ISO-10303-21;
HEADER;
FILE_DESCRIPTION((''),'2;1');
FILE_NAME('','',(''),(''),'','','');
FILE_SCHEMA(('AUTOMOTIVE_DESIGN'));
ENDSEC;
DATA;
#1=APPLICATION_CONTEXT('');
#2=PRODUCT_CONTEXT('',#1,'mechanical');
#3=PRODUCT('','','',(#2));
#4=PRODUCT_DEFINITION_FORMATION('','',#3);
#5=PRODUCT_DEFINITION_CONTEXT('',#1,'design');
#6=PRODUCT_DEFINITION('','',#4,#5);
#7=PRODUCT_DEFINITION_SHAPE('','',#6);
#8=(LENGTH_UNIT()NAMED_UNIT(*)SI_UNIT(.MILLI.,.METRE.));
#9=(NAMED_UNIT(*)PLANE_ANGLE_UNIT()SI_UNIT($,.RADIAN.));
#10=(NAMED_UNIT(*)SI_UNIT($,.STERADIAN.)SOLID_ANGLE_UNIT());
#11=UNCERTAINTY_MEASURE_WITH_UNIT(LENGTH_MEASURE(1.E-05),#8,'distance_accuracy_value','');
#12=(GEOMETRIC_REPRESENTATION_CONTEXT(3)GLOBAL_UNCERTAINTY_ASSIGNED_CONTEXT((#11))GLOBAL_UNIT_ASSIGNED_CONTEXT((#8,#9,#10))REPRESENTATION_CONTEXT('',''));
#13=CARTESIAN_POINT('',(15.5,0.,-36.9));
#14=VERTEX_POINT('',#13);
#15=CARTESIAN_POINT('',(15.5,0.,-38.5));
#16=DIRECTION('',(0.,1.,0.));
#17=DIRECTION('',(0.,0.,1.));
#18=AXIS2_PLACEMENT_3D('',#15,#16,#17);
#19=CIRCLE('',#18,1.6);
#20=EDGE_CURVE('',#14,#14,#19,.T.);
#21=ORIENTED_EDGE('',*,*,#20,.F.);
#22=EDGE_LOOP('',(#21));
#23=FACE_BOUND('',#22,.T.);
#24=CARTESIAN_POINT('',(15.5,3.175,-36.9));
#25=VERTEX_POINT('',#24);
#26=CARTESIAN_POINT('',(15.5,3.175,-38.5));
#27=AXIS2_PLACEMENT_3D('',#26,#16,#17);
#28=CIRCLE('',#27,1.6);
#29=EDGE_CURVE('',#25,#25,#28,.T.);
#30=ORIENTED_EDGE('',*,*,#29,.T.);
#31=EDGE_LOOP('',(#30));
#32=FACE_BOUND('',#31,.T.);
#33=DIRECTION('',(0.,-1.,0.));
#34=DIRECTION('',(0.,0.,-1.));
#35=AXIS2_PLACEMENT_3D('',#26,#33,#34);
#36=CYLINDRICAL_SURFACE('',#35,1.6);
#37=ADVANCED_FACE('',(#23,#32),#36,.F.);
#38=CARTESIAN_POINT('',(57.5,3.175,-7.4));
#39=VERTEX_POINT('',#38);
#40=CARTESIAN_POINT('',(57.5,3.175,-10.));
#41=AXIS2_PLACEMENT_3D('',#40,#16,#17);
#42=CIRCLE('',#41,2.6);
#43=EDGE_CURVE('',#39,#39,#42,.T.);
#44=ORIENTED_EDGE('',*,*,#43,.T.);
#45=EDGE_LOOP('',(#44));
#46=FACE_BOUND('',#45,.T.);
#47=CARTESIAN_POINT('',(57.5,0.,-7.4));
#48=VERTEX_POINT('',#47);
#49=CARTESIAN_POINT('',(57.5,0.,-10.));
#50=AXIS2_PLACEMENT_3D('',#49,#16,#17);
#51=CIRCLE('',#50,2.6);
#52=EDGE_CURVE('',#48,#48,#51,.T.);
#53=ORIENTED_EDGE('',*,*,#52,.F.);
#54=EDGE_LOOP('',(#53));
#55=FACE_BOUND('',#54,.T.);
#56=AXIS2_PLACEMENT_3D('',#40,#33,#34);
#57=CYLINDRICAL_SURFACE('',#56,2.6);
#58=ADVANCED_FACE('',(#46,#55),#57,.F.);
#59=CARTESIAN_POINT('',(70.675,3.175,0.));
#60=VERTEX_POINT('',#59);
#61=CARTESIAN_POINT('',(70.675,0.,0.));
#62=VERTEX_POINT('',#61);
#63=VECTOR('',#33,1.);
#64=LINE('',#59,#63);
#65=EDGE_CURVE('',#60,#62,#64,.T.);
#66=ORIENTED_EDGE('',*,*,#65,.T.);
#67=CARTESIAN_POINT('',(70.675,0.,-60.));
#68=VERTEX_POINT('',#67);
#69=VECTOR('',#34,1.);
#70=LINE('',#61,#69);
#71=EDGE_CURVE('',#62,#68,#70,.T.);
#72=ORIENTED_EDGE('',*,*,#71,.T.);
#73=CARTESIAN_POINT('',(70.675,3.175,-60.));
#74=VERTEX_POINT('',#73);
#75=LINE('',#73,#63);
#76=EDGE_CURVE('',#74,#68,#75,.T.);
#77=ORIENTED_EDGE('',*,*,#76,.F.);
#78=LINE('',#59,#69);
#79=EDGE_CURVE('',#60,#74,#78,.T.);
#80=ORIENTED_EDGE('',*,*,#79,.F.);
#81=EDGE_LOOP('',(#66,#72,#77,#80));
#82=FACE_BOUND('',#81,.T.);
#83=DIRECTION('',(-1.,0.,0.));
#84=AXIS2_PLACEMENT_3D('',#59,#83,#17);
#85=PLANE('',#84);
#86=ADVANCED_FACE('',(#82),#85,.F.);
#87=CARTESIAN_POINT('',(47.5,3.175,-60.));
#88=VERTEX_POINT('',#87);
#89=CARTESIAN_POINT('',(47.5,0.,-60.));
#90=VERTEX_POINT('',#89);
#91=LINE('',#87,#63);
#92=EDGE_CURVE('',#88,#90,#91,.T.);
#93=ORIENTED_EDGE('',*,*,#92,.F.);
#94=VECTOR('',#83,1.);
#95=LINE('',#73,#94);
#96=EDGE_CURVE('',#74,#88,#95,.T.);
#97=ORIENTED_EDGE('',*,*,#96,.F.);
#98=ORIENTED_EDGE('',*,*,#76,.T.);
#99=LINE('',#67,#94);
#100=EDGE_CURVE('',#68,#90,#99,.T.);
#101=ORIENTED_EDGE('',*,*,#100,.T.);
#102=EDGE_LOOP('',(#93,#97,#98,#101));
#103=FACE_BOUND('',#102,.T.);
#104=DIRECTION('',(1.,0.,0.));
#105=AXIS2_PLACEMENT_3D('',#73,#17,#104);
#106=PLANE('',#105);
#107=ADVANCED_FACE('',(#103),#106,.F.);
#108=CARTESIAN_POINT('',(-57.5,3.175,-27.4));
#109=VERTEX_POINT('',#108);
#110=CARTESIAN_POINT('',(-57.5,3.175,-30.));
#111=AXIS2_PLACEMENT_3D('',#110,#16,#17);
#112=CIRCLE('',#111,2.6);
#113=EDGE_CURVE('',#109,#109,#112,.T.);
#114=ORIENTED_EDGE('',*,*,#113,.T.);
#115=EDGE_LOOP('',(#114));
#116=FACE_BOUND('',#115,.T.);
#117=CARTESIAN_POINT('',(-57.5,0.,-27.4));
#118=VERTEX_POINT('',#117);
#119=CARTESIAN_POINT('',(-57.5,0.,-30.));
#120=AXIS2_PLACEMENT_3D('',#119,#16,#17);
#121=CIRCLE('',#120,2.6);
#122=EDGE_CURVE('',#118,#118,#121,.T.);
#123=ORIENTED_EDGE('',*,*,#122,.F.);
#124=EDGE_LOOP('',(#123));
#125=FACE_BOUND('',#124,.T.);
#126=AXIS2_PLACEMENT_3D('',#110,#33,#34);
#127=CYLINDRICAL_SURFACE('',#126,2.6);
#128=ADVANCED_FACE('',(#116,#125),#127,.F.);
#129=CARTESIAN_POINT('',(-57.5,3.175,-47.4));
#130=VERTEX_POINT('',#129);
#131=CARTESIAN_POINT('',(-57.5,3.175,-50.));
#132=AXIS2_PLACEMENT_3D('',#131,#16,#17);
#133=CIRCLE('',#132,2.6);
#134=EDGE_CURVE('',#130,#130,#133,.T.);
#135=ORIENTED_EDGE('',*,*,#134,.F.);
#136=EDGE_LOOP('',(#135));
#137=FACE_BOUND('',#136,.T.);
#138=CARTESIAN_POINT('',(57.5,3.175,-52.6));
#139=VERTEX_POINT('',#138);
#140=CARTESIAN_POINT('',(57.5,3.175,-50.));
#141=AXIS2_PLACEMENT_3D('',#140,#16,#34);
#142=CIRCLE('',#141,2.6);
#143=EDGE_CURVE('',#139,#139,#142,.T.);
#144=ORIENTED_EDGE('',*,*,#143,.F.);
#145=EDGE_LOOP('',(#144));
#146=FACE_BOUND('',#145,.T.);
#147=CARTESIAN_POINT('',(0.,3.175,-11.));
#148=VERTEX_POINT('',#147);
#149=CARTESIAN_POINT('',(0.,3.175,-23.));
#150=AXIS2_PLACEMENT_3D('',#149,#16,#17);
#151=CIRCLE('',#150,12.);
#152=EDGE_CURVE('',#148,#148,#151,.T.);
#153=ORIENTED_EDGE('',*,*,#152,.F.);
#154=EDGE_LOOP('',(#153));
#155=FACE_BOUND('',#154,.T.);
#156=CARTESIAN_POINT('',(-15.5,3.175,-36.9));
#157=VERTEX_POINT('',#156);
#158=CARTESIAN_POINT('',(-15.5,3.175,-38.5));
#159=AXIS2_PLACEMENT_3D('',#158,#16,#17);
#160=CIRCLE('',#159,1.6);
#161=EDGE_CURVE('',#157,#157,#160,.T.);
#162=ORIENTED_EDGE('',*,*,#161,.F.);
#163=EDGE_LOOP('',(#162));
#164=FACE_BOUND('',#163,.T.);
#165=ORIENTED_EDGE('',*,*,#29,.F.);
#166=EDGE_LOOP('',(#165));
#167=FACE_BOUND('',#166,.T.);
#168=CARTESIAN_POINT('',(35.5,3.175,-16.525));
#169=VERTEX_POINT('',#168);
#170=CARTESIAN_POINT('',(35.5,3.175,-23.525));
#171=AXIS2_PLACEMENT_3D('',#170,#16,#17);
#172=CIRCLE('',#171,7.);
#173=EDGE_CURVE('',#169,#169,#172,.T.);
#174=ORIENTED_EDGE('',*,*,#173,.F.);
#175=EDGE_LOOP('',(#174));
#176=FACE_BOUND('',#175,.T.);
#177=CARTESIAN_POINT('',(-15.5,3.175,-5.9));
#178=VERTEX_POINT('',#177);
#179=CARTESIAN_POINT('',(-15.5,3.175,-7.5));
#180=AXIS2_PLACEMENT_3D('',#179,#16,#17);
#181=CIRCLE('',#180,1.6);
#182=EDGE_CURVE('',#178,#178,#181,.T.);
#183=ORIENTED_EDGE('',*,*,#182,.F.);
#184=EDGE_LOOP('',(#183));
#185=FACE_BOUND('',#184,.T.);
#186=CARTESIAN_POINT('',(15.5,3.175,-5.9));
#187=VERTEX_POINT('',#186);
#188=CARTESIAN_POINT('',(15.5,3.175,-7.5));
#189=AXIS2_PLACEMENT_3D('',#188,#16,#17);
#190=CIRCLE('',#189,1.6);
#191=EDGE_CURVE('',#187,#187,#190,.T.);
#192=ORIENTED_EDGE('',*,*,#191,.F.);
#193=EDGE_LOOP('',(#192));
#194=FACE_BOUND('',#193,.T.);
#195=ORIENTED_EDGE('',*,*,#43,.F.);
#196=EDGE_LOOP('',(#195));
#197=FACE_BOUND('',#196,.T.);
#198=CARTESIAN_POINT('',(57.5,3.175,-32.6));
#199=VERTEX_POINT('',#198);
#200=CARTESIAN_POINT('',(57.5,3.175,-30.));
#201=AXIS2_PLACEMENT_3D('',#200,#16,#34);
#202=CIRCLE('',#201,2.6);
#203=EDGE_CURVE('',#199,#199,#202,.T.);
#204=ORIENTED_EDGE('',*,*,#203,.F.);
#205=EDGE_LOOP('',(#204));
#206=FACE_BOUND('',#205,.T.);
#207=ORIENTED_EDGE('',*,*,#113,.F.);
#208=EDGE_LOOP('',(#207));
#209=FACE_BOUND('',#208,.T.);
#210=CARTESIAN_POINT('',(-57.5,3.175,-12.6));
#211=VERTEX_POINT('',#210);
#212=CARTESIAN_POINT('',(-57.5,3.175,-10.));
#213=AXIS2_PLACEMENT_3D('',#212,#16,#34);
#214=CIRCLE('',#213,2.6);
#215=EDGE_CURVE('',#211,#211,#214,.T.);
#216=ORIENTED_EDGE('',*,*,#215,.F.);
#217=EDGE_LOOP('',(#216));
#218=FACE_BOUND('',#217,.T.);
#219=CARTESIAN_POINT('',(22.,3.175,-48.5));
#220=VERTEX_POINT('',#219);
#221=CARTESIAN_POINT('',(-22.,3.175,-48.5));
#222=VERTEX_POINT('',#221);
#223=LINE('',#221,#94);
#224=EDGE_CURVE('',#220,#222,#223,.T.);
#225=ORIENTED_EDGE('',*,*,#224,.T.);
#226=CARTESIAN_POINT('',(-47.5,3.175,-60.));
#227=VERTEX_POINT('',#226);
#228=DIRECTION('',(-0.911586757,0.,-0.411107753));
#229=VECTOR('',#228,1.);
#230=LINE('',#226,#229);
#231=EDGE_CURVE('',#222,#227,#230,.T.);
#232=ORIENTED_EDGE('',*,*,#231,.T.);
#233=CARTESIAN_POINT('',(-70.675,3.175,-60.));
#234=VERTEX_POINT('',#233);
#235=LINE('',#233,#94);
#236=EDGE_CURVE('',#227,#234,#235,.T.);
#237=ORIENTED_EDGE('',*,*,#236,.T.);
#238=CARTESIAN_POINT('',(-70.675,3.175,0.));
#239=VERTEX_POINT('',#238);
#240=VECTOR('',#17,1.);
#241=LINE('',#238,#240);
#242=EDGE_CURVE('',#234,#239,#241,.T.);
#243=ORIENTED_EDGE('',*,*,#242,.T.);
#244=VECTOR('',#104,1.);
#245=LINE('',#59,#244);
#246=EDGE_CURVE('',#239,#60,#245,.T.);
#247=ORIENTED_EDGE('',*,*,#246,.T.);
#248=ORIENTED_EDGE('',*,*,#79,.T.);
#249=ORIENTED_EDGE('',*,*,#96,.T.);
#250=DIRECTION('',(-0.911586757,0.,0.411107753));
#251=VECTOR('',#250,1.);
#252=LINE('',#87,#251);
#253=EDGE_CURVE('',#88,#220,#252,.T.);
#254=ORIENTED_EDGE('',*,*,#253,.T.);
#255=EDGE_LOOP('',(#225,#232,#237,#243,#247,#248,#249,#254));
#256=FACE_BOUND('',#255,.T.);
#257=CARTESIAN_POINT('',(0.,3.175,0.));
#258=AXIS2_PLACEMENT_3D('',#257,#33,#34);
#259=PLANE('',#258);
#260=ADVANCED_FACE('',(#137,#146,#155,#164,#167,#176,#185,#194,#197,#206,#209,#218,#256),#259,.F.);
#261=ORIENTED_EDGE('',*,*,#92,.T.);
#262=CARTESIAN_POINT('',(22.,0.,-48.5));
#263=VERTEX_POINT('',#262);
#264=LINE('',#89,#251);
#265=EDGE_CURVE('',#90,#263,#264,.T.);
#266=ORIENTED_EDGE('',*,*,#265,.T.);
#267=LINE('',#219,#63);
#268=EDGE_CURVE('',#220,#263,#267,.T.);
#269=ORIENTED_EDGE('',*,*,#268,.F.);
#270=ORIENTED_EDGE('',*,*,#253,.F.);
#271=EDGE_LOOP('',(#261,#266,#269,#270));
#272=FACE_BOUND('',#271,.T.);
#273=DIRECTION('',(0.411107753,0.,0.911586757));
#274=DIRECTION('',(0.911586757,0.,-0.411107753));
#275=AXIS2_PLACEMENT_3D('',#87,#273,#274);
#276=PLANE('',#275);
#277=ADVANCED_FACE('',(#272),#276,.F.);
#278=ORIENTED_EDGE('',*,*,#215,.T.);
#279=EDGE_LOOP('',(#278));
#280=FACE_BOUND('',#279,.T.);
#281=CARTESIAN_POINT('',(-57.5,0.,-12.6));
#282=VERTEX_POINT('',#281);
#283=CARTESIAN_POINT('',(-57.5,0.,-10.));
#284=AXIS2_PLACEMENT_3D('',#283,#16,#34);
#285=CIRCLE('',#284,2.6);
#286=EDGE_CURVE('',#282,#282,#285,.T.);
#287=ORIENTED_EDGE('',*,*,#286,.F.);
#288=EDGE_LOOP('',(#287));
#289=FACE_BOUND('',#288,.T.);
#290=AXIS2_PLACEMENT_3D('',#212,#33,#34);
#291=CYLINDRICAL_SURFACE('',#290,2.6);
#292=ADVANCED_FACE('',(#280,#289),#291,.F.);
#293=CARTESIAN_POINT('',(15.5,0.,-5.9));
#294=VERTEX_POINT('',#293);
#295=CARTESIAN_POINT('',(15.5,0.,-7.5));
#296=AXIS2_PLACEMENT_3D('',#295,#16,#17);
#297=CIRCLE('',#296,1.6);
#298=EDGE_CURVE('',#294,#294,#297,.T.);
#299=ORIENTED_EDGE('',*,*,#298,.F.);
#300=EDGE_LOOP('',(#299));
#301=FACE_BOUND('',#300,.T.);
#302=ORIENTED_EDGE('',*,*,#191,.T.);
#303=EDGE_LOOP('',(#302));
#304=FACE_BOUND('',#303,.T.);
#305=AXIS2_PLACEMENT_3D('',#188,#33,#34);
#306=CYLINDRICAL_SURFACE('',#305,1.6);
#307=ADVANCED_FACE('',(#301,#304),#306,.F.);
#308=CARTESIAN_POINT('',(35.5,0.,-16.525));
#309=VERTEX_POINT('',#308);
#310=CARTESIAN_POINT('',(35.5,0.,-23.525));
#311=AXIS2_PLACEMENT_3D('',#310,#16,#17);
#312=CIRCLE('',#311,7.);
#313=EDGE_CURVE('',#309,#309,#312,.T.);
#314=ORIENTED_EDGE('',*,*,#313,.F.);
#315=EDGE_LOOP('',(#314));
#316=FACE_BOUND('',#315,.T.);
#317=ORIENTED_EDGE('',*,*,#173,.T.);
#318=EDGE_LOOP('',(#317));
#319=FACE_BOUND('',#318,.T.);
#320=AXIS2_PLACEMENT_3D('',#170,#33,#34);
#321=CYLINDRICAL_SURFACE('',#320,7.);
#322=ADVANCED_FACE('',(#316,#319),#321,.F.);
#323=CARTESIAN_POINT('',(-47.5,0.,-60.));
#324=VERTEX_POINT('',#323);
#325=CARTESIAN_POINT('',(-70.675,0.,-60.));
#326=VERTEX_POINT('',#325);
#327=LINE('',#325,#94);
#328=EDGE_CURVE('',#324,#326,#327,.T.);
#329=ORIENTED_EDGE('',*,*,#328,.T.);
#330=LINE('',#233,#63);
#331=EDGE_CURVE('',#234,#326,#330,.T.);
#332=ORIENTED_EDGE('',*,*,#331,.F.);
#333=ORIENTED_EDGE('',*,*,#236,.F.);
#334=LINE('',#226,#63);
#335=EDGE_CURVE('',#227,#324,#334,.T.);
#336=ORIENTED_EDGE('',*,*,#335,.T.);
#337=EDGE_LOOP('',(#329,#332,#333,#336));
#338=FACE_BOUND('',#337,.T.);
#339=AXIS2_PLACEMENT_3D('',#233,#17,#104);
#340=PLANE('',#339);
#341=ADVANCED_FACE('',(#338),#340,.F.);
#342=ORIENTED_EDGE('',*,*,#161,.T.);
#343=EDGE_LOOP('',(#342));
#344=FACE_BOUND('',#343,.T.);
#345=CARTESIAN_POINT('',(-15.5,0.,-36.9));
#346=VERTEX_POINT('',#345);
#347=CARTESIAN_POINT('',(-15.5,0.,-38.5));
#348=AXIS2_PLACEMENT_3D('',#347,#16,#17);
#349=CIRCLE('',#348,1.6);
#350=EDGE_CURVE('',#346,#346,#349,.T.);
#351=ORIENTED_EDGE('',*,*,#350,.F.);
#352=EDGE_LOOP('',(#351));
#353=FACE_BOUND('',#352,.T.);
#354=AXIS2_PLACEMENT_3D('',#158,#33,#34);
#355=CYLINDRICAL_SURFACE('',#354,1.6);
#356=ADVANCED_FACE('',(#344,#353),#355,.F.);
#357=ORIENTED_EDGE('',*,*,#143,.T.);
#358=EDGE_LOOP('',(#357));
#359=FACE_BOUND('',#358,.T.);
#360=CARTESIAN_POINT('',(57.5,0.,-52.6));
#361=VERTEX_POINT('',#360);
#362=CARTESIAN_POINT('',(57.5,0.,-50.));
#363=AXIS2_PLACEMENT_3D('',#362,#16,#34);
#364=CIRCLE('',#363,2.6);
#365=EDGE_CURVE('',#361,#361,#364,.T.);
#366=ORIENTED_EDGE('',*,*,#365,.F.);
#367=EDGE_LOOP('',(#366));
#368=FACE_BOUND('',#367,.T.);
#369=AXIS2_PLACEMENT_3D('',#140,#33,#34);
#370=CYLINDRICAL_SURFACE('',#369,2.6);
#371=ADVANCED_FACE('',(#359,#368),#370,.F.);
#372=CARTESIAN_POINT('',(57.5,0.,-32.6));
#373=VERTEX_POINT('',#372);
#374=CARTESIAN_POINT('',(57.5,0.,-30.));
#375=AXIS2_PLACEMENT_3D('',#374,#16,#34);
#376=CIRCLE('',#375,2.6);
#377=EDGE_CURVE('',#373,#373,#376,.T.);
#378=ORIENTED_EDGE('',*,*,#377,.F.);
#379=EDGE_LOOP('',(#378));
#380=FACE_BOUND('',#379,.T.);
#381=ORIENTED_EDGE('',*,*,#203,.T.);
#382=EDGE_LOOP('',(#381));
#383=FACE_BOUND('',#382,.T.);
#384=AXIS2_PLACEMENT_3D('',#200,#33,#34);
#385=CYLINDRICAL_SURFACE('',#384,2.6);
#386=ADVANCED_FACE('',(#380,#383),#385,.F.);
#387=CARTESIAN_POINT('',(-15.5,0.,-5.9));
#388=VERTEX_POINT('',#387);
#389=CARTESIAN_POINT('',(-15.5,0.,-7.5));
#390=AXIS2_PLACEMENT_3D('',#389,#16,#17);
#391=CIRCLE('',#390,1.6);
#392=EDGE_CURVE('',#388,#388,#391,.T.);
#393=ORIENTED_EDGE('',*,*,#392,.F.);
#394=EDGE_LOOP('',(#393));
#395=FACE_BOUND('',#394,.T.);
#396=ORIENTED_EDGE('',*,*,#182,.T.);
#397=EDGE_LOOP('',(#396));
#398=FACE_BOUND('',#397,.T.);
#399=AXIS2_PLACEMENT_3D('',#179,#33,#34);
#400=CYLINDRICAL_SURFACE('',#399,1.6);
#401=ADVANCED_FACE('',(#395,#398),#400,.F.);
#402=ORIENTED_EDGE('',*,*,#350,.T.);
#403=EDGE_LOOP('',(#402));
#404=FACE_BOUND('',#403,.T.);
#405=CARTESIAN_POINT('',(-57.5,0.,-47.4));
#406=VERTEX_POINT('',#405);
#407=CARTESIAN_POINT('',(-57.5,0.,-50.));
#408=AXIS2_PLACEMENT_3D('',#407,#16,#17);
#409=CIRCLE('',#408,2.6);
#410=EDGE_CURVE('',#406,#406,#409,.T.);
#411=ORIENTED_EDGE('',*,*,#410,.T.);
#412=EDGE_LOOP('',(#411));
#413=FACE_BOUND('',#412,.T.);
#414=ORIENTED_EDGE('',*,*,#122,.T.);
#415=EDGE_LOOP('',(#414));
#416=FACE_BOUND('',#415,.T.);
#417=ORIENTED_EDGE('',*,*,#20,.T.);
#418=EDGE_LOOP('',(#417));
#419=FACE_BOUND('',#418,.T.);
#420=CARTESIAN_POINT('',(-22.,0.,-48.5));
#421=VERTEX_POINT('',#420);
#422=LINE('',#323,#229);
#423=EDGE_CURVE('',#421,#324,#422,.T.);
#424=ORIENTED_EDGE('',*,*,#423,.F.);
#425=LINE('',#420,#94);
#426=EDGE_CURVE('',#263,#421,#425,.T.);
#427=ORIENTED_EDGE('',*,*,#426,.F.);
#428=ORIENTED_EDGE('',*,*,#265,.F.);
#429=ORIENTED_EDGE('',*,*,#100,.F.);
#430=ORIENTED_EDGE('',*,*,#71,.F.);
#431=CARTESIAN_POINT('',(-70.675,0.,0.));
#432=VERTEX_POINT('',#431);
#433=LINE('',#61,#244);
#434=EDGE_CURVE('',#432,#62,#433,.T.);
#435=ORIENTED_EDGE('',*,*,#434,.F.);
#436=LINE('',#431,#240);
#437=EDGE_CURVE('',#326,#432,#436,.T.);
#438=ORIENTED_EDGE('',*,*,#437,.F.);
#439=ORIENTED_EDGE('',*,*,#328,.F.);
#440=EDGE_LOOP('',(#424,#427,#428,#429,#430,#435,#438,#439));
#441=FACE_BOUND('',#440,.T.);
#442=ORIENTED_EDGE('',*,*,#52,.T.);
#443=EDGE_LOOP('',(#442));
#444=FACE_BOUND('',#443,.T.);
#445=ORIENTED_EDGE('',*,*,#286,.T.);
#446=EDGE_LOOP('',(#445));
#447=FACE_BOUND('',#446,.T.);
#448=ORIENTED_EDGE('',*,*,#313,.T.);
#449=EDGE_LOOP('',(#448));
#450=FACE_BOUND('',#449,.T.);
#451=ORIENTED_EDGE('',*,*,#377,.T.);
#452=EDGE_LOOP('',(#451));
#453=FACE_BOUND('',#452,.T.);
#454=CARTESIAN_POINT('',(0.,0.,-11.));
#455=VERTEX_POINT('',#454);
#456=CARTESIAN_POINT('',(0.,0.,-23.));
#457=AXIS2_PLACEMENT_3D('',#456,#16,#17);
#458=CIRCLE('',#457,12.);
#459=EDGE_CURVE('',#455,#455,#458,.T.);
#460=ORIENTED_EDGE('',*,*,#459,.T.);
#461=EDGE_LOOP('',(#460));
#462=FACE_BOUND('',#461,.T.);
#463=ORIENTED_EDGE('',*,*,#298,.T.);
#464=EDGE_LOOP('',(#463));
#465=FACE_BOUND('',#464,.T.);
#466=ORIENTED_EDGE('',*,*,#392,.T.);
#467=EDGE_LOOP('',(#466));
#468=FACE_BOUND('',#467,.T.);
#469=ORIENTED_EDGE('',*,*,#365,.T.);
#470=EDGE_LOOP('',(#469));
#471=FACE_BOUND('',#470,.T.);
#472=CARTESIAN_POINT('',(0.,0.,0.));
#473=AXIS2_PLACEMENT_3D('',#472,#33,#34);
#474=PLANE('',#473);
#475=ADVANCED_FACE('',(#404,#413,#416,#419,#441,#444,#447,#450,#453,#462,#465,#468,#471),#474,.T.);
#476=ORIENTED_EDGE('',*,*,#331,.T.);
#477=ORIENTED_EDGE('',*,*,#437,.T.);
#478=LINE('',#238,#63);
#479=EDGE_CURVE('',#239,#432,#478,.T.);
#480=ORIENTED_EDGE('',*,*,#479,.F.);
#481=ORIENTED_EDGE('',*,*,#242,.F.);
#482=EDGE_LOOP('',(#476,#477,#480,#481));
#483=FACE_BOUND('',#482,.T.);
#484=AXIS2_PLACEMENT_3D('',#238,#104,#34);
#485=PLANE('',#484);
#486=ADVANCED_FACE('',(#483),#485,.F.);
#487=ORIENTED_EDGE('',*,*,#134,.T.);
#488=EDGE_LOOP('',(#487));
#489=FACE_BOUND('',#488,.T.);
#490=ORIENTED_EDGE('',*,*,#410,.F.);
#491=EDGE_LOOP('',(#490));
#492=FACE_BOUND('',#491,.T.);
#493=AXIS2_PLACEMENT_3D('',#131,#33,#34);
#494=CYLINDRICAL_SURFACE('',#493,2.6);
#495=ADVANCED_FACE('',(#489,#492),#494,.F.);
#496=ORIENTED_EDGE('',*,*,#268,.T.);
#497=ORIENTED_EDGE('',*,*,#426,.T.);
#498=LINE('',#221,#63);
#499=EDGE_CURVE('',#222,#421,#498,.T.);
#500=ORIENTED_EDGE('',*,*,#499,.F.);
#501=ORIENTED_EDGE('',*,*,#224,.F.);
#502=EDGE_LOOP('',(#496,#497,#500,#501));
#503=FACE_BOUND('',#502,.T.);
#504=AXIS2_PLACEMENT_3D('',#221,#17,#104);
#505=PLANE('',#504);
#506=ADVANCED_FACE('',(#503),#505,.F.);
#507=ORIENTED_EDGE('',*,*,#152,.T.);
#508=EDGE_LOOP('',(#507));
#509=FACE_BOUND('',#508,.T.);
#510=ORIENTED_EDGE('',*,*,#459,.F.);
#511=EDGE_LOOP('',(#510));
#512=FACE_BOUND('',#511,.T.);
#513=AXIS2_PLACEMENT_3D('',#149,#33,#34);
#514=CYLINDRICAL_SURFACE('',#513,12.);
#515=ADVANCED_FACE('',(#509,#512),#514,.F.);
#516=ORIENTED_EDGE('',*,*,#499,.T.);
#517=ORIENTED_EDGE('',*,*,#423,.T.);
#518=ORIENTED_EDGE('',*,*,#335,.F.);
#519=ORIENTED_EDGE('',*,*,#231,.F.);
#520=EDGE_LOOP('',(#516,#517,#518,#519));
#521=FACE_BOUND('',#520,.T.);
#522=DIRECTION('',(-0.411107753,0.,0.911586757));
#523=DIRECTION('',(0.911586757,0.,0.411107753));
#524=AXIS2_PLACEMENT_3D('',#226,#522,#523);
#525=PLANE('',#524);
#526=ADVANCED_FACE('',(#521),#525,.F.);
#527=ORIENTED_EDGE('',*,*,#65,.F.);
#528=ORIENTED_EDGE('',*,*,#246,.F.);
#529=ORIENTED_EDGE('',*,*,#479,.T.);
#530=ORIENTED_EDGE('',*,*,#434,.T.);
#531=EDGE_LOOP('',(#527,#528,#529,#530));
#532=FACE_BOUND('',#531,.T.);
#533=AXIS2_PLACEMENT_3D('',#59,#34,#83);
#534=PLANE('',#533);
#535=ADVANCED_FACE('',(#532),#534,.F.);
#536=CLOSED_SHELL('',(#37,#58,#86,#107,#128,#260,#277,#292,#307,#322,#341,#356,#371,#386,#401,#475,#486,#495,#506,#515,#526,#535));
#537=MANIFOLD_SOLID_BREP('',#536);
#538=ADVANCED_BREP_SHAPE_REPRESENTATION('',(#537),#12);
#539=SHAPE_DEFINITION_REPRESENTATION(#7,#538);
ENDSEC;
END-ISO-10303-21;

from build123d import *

# Parameters (mm, degrees)
SKETCH2_R           = 2.6
SKETCH2_R_2         = 12
SKETCH2_R_3         = 1.6
SKETCH2_R_4         = 7
BOSS_EXTRUDE1_DEPTH = 3.175


with BuildPart() as part:
    # Sketch2 → Boss-Extrude1 (new body)
    with BuildSketch(Plane(origin=(0, 0, 0), x_dir=(1, 0, 0), z_dir=(0, 1, 0))):
        Polygon((70.675, 0), (-70.675, 0), (-70.675, 60), (-47.5, 60), (-22, 48.5), (22, 48.5), (47.5, 60), (70.675, 60), align=None)
        with Locations((-57.5, 30)):
            Circle(SKETCH2_R, mode=Mode.SUBTRACT)
        with Locations((-57.5, 50)):
            Circle(SKETCH2_R, mode=Mode.SUBTRACT)
        with Locations((-57.5, 10)):
            Circle(SKETCH2_R, mode=Mode.SUBTRACT)
        with Locations((0, 23)):
            Circle(SKETCH2_R_2, mode=Mode.SUBTRACT)
        with Locations((-15.5, 38.5)):
            Circle(SKETCH2_R_3, mode=Mode.SUBTRACT)
        with Locations((15.5, 38.5)):
            Circle(SKETCH2_R_3, mode=Mode.SUBTRACT)
        with Locations((15.5, 7.5)):
            Circle(SKETCH2_R_3, mode=Mode.SUBTRACT)
        with Locations((-15.5, 7.5)):
            Circle(SKETCH2_R_3, mode=Mode.SUBTRACT)
        with Locations((57.5, 10)):
            Circle(SKETCH2_R, mode=Mode.SUBTRACT)
        with Locations((57.5, 30)):
            Circle(SKETCH2_R, mode=Mode.SUBTRACT)
        with Locations((57.5, 50)):
            Circle(SKETCH2_R, mode=Mode.SUBTRACT)
        with Locations((35.5, 23.525)):
            Circle(SKETCH2_R_4, mode=Mode.SUBTRACT)
    extrude(amount=BOSS_EXTRUDE1_DEPTH)


solid = part.part
